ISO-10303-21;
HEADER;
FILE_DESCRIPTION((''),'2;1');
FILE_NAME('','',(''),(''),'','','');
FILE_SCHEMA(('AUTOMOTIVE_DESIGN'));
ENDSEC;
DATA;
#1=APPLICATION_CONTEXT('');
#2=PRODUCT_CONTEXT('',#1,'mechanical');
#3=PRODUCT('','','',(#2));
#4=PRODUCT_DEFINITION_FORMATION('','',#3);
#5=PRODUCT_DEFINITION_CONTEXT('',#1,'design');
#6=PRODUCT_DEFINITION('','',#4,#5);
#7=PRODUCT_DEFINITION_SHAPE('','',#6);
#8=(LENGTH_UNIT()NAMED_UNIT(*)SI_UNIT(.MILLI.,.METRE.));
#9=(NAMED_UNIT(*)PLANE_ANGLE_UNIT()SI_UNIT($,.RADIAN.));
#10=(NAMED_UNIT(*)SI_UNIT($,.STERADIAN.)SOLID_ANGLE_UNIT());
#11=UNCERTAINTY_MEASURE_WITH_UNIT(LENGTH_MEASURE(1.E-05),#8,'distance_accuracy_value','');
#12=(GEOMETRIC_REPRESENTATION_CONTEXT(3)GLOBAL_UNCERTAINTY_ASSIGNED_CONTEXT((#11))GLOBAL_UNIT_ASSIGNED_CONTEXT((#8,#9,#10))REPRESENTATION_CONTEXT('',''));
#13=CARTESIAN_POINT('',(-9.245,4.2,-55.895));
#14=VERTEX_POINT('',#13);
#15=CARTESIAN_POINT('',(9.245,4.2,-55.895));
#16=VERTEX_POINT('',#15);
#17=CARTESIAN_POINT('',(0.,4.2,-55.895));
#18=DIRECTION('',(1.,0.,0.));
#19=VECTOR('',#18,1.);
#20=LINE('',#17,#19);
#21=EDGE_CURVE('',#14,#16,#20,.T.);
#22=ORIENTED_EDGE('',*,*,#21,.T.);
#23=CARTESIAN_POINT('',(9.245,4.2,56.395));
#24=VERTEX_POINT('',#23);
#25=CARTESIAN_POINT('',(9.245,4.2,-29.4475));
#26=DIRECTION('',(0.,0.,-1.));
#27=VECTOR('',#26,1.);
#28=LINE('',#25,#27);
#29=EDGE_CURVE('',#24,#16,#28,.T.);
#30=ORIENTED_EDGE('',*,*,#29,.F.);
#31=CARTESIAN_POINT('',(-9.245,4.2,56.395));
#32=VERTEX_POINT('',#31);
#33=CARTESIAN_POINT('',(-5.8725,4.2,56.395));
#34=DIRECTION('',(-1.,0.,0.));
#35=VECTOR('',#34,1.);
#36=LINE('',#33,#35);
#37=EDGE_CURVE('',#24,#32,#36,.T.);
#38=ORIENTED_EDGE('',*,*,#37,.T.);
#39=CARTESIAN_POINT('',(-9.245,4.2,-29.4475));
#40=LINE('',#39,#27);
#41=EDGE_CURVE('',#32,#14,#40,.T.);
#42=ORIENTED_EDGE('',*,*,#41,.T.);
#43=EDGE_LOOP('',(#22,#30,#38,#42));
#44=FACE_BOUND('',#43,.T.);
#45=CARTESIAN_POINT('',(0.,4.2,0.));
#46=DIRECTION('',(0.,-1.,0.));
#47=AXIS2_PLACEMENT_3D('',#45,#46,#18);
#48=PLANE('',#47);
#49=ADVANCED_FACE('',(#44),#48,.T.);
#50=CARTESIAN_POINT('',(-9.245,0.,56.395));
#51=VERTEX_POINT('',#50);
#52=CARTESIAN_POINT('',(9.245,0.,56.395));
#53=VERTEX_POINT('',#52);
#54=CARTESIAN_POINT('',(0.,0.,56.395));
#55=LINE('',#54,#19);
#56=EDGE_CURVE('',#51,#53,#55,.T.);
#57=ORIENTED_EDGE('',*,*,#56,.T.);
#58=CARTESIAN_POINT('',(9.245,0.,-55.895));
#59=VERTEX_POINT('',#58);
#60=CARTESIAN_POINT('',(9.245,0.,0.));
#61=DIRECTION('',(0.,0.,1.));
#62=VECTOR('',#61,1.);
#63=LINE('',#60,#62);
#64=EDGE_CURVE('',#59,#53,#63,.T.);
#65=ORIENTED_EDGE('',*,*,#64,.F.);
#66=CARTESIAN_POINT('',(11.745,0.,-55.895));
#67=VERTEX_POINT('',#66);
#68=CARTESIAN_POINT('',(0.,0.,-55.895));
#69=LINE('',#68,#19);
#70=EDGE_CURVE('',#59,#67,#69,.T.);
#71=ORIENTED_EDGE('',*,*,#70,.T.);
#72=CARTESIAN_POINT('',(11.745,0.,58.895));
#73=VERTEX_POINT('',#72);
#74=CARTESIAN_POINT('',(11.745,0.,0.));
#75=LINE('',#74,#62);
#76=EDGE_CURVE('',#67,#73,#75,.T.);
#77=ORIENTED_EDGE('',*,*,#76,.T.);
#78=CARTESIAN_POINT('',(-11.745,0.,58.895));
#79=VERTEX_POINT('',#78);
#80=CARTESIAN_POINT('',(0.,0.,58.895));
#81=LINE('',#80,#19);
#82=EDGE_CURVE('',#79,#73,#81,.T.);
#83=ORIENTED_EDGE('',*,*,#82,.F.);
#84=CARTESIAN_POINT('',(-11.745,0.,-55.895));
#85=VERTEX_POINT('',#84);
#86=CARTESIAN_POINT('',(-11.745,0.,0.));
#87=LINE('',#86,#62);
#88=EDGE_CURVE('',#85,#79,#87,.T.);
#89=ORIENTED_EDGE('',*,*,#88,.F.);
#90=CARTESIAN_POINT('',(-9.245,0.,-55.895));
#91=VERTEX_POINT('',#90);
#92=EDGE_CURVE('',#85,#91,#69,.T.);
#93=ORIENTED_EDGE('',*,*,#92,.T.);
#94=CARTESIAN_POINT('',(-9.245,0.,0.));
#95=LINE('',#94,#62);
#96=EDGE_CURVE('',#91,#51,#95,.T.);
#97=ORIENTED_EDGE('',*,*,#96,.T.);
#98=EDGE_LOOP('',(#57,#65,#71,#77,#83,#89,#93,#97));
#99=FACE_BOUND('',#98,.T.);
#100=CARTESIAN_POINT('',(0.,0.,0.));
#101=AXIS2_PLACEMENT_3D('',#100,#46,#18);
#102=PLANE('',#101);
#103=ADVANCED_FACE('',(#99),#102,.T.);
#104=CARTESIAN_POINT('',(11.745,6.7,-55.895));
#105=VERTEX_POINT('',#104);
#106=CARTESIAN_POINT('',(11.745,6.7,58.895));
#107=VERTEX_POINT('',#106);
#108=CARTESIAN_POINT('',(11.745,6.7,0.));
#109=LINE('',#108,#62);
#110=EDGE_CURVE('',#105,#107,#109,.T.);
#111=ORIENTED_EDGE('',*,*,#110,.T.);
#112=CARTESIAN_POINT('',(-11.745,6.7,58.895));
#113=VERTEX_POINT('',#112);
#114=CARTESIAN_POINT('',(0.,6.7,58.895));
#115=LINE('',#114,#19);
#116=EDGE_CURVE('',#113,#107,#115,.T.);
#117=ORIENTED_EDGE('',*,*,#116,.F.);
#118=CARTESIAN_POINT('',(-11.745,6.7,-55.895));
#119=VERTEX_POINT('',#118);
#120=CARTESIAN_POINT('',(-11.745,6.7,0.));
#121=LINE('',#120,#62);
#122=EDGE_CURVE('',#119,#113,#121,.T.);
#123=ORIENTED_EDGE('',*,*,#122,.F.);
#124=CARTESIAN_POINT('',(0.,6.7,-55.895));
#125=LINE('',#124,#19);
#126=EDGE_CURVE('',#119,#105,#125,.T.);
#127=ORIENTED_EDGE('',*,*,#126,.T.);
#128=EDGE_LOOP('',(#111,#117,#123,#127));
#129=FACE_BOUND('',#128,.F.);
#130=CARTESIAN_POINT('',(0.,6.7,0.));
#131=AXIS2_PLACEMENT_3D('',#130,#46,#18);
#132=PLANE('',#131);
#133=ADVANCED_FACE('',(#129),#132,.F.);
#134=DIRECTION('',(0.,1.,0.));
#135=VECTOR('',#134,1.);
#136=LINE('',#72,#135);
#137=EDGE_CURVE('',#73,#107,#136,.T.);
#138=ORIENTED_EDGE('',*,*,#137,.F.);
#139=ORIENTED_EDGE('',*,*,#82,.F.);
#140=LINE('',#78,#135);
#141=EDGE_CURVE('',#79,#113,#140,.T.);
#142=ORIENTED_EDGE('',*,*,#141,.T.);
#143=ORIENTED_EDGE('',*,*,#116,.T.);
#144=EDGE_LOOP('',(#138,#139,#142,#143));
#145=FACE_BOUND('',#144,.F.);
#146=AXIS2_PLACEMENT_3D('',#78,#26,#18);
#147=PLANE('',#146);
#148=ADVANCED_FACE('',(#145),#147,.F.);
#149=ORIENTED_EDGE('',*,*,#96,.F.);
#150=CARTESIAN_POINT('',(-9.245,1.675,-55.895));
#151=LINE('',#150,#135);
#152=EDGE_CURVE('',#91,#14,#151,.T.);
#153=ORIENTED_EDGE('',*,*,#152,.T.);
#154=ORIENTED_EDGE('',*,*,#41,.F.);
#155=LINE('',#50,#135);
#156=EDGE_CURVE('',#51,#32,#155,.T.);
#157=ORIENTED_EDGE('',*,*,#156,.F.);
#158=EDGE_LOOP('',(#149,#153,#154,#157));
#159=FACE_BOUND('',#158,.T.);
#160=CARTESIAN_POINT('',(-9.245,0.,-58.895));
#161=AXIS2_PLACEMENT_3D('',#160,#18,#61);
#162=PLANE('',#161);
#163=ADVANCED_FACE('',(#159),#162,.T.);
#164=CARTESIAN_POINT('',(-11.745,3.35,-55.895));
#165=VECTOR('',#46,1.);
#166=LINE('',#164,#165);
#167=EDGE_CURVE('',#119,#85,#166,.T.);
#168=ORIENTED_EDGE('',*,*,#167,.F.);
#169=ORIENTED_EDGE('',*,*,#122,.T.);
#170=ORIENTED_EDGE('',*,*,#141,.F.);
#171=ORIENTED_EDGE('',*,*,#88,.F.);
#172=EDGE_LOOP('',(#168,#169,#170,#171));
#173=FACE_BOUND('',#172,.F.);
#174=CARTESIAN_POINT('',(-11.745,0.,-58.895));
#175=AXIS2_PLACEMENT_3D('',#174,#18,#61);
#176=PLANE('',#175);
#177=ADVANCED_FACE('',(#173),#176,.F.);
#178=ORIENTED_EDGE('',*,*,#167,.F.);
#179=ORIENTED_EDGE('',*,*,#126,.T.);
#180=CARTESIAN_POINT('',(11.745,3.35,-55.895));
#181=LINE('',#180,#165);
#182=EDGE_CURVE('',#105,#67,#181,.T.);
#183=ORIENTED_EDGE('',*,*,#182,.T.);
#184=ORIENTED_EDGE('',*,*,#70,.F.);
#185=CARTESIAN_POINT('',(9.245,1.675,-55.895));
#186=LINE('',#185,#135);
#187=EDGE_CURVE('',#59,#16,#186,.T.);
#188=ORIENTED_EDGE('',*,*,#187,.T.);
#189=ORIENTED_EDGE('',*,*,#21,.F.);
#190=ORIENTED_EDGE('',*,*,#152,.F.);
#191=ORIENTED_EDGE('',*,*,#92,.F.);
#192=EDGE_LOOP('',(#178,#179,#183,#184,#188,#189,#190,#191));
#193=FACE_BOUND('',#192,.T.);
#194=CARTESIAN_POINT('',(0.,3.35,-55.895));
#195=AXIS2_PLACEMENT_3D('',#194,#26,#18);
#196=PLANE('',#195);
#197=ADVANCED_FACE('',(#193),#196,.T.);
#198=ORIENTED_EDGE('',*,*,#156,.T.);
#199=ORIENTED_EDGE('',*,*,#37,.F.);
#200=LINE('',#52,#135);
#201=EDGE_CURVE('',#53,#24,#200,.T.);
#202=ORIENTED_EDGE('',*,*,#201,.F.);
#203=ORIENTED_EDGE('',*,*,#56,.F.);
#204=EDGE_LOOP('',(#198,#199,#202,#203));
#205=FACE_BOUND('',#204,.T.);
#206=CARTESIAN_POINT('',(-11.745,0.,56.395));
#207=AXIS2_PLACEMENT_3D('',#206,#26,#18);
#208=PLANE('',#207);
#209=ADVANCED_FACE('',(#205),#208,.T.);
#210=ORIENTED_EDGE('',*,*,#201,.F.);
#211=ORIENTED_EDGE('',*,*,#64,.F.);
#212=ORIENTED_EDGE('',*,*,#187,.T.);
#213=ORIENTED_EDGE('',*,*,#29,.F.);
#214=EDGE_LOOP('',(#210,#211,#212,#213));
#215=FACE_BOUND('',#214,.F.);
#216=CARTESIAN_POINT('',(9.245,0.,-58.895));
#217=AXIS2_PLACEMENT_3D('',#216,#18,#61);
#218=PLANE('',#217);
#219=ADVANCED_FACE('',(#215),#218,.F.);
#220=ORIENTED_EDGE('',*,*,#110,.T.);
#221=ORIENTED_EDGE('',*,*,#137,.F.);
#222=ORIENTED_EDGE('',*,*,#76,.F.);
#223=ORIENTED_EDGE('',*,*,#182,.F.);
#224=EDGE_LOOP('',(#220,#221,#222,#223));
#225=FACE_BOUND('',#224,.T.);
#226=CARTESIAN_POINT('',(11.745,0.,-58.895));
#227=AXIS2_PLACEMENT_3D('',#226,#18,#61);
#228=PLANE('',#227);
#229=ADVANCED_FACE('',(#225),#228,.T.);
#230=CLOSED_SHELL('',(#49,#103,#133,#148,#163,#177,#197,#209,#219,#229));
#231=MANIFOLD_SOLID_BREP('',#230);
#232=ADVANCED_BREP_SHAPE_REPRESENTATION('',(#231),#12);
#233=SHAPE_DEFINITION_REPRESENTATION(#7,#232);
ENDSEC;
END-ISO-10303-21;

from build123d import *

# Parameters (mm, degrees)
F0_W      = 23.49
F0_H      = 117.79
F1_DEPTH  = 6.7
F2_T      = -2.5
F1_FACE_W = 23.49
F1_FACE_H = 6.7
F3_DEPTH  = 3


with BuildPart() as f1:
    # F0 (on Front) → F1 (new body)
    with BuildSketch(Plane.XZ):
        Rectangle(F0_W, F0_H)
    extrude(amount=-F1_DEPTH)

    # F2
    f2_openings = [f1.faces().sort_by_distance(p)[0] for p in [
        (0, 0, 0),
    ]]
    offset(amount=F2_T, openings=f2_openings)

    # F1_face (on face) → F3 (cut)
    with BuildSketch(Plane(origin=(0, 3.35, -58.895), x_dir=(1, 0, 0), z_dir=(0, 0, -1))):
        Rectangle(F1_FACE_W, F1_FACE_H)
    extrude(amount=-F3_DEPTH, mode=Mode.SUBTRACT)


solid = f1.part
